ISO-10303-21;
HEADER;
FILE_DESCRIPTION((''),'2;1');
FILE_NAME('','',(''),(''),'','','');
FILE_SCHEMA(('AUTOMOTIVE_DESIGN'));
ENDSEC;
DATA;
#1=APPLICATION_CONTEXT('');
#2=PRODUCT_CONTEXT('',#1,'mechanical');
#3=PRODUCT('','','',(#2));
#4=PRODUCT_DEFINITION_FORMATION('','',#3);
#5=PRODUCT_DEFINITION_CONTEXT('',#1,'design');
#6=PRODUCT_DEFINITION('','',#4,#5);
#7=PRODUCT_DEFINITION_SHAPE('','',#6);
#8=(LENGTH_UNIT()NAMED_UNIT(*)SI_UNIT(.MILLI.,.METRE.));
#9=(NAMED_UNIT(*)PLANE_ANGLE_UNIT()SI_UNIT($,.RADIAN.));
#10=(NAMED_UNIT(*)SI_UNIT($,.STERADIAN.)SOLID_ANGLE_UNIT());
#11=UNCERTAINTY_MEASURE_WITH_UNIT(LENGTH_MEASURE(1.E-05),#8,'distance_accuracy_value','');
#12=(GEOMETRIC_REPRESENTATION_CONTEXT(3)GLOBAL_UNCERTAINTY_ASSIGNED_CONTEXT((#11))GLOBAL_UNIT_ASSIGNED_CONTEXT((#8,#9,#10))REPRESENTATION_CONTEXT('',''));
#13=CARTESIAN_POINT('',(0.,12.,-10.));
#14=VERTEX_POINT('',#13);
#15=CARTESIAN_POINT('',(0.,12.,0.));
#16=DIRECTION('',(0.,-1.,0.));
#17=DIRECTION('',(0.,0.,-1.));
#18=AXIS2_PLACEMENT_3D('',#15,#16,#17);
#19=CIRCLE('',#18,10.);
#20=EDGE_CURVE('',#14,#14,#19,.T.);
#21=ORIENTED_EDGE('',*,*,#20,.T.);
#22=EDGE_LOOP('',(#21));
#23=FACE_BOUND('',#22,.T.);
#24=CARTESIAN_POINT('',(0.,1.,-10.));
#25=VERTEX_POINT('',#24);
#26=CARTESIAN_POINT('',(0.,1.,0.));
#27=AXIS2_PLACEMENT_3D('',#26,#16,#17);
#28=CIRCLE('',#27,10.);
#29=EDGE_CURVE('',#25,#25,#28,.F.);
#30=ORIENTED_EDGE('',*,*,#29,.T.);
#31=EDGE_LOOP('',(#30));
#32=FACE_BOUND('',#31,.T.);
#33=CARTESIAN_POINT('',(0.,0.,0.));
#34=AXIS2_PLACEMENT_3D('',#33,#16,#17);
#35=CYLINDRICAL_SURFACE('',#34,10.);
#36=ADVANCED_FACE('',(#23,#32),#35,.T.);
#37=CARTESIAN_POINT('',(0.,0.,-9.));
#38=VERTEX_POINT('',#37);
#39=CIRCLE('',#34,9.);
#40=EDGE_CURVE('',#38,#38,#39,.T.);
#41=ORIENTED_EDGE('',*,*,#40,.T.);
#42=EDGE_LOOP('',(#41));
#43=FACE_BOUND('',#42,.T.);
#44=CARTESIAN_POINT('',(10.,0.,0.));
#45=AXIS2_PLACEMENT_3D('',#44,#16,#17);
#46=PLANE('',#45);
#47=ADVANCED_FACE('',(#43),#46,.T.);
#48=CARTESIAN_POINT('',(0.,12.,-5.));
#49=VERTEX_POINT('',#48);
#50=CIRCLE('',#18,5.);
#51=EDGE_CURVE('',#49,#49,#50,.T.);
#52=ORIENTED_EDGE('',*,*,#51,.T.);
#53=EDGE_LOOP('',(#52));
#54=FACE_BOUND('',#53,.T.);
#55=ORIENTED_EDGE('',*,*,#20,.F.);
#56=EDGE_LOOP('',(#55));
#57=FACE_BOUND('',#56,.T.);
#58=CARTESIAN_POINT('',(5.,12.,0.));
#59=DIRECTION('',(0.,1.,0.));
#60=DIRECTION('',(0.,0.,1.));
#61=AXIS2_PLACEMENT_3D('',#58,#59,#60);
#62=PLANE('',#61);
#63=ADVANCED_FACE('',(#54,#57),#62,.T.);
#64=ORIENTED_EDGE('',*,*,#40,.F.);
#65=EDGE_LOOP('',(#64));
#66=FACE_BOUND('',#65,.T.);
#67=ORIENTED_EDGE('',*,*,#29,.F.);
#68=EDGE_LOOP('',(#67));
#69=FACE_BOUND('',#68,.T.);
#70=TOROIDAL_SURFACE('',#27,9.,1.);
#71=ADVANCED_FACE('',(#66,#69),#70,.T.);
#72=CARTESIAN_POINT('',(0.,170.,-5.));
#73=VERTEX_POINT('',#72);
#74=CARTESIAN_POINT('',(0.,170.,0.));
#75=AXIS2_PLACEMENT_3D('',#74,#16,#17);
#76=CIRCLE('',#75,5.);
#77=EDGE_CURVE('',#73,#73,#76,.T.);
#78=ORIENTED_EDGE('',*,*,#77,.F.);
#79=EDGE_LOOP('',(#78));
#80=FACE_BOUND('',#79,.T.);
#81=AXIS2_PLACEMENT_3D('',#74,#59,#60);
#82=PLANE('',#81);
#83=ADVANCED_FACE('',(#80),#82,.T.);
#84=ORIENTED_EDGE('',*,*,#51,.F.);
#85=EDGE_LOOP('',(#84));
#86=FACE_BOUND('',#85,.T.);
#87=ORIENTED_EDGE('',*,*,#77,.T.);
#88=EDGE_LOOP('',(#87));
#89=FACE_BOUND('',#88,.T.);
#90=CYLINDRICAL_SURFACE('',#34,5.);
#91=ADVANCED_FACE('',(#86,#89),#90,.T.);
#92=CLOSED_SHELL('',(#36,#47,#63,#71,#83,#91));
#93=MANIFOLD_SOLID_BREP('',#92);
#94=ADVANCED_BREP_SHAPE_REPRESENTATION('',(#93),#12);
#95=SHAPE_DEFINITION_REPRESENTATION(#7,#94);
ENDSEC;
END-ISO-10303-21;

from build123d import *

# Parameters (mm, degrees)
FILLET1_R = 1


with BuildPart() as part:
    # Sketch1 → Revolve1 (revolve)
    with BuildSketch(Plane.XY, mode=Mode.PRIVATE) as revolve1_sk:
        Polygon((0, 170), (5, 170), (5, 12), (10, 12), (10, 0), (0, 0), align=None)
    revolve(revolve1_sk.sketch.rotate(Axis((0, 0, 0), (0, 1, 0)), 90), axis=Axis((0, 0, 0), (0, 1, 0)))

    # Fillet1
    fillet1_edges = [part.edges().sort_by_distance(p)[0] for p in [
        (0, 0, 10),
    ]]
    fillet(fillet1_edges, radius=FILLET1_R)


solid = part.part
